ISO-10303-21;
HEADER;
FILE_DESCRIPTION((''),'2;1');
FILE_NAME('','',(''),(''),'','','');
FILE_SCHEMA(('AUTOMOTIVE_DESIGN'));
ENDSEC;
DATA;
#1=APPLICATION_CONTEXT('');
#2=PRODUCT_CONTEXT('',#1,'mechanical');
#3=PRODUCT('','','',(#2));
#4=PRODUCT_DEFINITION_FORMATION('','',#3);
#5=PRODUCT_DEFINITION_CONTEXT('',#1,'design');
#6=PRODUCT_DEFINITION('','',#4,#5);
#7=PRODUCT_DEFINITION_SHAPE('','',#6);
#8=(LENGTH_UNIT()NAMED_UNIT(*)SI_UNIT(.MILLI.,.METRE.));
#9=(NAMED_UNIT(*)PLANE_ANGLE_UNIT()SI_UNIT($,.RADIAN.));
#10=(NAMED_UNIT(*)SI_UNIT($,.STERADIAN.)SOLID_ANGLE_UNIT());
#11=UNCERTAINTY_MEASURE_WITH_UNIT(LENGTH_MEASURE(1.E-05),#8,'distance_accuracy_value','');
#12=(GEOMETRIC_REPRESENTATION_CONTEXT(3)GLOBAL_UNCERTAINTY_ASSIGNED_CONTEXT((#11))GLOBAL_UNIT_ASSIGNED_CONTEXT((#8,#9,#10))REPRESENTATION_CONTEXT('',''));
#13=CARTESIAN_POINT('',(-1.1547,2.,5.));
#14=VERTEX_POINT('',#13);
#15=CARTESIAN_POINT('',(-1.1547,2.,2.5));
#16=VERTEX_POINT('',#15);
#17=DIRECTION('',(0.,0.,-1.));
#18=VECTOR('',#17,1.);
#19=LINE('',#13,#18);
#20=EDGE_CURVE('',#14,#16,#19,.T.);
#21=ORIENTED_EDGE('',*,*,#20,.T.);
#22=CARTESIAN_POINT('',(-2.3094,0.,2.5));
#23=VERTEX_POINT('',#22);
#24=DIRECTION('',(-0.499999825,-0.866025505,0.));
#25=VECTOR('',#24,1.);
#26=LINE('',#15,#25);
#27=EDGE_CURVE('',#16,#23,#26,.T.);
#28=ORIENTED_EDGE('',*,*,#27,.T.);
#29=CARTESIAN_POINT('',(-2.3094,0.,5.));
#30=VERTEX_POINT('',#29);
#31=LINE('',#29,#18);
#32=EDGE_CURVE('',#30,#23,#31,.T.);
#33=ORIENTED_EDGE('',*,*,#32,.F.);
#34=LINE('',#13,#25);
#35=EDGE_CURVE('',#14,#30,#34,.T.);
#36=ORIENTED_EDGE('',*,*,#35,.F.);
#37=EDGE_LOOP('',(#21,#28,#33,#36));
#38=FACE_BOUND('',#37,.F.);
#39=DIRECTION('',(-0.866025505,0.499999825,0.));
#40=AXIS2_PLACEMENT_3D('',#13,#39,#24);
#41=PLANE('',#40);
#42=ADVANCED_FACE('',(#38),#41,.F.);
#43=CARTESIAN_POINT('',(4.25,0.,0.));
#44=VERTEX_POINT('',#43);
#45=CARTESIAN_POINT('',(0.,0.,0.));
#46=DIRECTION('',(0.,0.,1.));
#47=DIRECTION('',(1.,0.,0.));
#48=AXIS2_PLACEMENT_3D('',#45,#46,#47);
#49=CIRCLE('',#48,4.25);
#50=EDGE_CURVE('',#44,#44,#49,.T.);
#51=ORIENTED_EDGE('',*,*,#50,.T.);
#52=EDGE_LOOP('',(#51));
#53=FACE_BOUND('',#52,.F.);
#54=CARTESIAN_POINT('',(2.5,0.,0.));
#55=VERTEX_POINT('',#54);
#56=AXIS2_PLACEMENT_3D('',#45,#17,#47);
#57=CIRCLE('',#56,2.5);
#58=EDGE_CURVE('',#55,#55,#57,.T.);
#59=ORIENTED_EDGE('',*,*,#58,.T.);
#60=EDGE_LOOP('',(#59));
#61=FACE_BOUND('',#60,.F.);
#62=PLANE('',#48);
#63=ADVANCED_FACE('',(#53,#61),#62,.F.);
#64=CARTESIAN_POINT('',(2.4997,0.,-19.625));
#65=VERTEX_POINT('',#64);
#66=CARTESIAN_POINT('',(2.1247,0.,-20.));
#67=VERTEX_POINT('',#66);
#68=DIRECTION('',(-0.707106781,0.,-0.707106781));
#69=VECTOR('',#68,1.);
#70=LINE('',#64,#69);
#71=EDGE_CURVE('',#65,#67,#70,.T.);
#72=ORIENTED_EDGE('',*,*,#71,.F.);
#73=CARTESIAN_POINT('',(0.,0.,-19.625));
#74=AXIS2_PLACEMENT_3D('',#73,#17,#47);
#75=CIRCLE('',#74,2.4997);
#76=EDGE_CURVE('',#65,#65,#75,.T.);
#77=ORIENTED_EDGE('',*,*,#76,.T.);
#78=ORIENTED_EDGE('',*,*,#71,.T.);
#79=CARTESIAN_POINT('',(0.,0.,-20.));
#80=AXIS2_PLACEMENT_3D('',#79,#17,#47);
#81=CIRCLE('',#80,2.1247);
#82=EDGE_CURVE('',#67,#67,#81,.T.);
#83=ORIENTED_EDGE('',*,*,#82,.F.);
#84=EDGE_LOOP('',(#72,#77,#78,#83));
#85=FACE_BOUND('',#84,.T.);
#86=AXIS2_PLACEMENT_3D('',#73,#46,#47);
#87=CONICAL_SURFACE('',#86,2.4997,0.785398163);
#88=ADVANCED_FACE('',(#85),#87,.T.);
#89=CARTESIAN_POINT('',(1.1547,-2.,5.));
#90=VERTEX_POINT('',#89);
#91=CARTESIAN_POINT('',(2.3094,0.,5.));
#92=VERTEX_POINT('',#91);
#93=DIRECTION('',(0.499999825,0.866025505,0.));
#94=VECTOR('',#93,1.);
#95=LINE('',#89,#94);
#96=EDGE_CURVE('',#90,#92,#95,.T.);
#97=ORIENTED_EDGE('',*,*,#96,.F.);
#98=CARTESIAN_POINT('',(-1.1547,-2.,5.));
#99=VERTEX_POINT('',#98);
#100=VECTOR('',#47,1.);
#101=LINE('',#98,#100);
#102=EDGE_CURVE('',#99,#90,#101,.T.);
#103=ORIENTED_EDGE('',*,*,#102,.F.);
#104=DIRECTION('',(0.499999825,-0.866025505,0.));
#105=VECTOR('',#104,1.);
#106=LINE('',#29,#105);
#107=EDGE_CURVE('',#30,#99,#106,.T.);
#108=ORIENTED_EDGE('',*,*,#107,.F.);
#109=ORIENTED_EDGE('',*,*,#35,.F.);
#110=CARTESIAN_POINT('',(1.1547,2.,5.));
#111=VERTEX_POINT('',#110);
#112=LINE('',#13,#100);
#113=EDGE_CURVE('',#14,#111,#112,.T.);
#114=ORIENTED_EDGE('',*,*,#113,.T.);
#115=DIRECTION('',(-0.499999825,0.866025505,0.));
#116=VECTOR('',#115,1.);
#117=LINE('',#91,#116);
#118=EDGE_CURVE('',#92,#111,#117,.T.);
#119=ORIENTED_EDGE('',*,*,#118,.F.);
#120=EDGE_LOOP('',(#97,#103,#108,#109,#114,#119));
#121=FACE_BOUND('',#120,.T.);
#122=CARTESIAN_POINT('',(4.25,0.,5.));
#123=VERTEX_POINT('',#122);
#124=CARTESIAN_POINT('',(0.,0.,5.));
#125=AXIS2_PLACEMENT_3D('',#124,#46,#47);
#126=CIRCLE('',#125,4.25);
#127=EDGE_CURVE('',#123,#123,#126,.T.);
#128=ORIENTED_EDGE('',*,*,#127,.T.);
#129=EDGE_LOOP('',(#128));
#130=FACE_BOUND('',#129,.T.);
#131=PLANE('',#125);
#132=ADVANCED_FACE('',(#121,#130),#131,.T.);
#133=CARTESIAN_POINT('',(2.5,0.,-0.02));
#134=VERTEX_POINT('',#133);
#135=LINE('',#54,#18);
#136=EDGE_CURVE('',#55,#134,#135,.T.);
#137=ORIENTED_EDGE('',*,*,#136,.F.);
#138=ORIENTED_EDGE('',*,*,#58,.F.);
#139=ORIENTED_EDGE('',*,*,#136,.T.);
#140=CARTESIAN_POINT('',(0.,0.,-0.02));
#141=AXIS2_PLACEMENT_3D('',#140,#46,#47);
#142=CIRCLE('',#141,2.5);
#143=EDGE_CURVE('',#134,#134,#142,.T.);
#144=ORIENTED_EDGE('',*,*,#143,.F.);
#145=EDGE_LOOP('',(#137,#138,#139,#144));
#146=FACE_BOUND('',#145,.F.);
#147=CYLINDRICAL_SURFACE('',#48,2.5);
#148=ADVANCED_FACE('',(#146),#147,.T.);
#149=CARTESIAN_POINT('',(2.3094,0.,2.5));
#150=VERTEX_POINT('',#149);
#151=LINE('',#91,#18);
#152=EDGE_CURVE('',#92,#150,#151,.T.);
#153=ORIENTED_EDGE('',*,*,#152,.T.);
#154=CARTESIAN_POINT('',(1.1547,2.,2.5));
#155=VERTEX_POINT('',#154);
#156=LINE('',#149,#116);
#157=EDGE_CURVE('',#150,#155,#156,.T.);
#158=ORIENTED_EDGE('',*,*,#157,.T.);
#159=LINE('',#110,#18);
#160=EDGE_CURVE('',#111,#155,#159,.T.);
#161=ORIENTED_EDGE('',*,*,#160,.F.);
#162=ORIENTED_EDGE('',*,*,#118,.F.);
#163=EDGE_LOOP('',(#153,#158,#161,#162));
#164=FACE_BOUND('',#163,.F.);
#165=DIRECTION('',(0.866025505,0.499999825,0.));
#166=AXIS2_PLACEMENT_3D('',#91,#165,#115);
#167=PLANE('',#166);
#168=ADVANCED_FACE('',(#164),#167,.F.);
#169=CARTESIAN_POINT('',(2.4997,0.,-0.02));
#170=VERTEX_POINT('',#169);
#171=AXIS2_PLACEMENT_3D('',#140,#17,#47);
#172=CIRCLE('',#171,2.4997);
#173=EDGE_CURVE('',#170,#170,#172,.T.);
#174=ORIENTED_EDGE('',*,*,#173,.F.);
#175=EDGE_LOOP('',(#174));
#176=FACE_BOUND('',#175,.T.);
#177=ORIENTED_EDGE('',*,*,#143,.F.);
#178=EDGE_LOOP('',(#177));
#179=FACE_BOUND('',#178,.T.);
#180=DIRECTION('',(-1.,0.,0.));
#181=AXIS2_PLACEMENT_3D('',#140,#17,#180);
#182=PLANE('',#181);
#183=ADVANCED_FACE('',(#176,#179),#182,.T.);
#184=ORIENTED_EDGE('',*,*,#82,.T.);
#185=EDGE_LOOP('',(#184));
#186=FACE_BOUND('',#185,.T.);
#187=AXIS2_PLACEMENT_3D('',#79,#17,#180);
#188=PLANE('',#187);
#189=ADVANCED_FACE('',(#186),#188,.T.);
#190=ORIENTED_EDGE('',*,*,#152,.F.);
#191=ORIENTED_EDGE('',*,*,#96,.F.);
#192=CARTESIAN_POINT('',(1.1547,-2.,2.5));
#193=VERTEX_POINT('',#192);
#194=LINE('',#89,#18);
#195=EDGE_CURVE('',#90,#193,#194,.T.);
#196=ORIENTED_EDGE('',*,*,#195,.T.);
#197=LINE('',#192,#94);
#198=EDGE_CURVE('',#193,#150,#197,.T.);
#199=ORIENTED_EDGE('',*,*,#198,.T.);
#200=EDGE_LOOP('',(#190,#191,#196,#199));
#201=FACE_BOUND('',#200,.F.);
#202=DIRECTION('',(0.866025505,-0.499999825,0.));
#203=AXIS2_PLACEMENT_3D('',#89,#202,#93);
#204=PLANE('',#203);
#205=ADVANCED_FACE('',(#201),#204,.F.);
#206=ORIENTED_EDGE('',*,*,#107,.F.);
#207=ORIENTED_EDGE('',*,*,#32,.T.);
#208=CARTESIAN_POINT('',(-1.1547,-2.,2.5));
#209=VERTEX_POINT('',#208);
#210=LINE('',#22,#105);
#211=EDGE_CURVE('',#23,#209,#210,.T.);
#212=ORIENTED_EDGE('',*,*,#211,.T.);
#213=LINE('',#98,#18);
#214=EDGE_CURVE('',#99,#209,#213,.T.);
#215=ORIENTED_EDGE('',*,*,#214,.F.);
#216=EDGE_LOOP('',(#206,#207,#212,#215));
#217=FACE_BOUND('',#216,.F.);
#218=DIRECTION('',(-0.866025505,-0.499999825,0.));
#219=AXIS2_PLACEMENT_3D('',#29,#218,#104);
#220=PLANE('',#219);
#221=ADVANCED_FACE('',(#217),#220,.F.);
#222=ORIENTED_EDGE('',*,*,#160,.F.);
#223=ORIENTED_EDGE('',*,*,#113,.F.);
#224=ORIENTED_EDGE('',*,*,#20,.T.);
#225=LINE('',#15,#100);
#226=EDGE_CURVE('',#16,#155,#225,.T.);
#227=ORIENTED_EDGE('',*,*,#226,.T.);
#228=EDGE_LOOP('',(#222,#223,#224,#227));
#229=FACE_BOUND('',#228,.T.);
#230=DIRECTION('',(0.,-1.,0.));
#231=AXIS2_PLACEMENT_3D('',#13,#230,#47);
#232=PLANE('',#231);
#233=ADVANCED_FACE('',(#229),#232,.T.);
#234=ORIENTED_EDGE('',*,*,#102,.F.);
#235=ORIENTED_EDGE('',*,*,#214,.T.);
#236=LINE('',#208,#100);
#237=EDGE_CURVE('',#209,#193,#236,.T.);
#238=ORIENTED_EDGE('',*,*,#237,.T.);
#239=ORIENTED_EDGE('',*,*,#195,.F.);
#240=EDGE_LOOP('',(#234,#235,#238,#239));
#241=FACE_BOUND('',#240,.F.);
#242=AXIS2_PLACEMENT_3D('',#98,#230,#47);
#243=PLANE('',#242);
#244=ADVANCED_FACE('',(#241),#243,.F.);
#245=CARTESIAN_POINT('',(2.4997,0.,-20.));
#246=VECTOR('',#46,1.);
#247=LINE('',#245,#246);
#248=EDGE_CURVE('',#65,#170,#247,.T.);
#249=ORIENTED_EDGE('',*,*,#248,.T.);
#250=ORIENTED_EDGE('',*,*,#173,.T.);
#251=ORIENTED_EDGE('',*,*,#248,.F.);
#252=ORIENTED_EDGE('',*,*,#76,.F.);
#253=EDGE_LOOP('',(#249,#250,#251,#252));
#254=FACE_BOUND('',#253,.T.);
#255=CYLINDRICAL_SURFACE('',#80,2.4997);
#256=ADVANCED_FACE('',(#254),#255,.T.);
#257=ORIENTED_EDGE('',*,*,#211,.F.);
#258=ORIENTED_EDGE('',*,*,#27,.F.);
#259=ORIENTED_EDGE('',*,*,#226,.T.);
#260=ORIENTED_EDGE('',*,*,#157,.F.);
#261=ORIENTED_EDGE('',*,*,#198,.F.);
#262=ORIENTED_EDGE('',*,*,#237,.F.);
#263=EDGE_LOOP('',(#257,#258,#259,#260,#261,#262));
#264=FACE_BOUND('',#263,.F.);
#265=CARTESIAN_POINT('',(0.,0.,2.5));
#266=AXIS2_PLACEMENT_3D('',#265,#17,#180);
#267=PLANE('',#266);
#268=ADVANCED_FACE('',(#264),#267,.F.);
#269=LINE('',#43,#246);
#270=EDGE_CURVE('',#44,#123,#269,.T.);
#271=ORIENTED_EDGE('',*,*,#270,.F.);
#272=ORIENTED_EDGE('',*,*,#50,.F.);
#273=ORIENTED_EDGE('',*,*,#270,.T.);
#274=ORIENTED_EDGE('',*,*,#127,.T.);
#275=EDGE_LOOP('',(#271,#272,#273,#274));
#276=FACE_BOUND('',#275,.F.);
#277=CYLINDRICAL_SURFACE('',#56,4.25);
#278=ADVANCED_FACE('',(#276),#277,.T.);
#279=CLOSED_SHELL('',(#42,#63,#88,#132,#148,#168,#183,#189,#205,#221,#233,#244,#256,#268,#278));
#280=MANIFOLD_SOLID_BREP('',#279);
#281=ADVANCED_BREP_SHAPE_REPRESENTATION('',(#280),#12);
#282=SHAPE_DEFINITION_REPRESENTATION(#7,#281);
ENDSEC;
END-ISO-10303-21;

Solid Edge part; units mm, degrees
sketch "Sketch1" plane through (0, 0, 0) normal (0, 0, 1) x (1, 0, 0)
  circle A0 centre (0, 0) radius 4.25
  dimension "D1" = 8.5
extrude "Protrusion1" add sketch "Sketch1" along normal blind 5
sketch "Sketch2" plane through (0, 0, 0) normal (0, 0, -1) x (1, 0, 0)
  circle A0 centre (0, 0) radius 2.5
extrude "Protrusion2" add sketch "Sketch2" along normal blind 20
sketch "Sketch3" plane through (0, 0, -20) normal (0, 0, -1) x (1, 0, 0)
  circle A0 centre (0, 0) radius 2.4997
extrude "Cutout1" cut sketch "Sketch3" against normal blind 19.98 flip side to cut
chamfer "Chamfer_1" distance 0.375 angle 45 1 edges at (-2.4997, 0, -20)
sketch "Sketch4" plane through (0, 0, 5) normal (0, 0, 1) x (1, 0, 0)
  line L0 (-1.1547, 2) -> (1.1547, 2)
  line L1 (2.3094, 0) -> (1.1547, 2)
  line L2 (1.1547, -2) -> (2.3094, 0)
  line L3 (-1.1547, -2) -> (1.1547, -2)
  line L4 (-2.3094, 0) -> (-1.1547, -2)
  line L5 (-1.1547, 2) -> (-2.3094, 0)
  dimension "D1" = 4
extrude "Cutout2" cut sketch "Sketch4" against normal blind 2.5
properties part number "24104804"
